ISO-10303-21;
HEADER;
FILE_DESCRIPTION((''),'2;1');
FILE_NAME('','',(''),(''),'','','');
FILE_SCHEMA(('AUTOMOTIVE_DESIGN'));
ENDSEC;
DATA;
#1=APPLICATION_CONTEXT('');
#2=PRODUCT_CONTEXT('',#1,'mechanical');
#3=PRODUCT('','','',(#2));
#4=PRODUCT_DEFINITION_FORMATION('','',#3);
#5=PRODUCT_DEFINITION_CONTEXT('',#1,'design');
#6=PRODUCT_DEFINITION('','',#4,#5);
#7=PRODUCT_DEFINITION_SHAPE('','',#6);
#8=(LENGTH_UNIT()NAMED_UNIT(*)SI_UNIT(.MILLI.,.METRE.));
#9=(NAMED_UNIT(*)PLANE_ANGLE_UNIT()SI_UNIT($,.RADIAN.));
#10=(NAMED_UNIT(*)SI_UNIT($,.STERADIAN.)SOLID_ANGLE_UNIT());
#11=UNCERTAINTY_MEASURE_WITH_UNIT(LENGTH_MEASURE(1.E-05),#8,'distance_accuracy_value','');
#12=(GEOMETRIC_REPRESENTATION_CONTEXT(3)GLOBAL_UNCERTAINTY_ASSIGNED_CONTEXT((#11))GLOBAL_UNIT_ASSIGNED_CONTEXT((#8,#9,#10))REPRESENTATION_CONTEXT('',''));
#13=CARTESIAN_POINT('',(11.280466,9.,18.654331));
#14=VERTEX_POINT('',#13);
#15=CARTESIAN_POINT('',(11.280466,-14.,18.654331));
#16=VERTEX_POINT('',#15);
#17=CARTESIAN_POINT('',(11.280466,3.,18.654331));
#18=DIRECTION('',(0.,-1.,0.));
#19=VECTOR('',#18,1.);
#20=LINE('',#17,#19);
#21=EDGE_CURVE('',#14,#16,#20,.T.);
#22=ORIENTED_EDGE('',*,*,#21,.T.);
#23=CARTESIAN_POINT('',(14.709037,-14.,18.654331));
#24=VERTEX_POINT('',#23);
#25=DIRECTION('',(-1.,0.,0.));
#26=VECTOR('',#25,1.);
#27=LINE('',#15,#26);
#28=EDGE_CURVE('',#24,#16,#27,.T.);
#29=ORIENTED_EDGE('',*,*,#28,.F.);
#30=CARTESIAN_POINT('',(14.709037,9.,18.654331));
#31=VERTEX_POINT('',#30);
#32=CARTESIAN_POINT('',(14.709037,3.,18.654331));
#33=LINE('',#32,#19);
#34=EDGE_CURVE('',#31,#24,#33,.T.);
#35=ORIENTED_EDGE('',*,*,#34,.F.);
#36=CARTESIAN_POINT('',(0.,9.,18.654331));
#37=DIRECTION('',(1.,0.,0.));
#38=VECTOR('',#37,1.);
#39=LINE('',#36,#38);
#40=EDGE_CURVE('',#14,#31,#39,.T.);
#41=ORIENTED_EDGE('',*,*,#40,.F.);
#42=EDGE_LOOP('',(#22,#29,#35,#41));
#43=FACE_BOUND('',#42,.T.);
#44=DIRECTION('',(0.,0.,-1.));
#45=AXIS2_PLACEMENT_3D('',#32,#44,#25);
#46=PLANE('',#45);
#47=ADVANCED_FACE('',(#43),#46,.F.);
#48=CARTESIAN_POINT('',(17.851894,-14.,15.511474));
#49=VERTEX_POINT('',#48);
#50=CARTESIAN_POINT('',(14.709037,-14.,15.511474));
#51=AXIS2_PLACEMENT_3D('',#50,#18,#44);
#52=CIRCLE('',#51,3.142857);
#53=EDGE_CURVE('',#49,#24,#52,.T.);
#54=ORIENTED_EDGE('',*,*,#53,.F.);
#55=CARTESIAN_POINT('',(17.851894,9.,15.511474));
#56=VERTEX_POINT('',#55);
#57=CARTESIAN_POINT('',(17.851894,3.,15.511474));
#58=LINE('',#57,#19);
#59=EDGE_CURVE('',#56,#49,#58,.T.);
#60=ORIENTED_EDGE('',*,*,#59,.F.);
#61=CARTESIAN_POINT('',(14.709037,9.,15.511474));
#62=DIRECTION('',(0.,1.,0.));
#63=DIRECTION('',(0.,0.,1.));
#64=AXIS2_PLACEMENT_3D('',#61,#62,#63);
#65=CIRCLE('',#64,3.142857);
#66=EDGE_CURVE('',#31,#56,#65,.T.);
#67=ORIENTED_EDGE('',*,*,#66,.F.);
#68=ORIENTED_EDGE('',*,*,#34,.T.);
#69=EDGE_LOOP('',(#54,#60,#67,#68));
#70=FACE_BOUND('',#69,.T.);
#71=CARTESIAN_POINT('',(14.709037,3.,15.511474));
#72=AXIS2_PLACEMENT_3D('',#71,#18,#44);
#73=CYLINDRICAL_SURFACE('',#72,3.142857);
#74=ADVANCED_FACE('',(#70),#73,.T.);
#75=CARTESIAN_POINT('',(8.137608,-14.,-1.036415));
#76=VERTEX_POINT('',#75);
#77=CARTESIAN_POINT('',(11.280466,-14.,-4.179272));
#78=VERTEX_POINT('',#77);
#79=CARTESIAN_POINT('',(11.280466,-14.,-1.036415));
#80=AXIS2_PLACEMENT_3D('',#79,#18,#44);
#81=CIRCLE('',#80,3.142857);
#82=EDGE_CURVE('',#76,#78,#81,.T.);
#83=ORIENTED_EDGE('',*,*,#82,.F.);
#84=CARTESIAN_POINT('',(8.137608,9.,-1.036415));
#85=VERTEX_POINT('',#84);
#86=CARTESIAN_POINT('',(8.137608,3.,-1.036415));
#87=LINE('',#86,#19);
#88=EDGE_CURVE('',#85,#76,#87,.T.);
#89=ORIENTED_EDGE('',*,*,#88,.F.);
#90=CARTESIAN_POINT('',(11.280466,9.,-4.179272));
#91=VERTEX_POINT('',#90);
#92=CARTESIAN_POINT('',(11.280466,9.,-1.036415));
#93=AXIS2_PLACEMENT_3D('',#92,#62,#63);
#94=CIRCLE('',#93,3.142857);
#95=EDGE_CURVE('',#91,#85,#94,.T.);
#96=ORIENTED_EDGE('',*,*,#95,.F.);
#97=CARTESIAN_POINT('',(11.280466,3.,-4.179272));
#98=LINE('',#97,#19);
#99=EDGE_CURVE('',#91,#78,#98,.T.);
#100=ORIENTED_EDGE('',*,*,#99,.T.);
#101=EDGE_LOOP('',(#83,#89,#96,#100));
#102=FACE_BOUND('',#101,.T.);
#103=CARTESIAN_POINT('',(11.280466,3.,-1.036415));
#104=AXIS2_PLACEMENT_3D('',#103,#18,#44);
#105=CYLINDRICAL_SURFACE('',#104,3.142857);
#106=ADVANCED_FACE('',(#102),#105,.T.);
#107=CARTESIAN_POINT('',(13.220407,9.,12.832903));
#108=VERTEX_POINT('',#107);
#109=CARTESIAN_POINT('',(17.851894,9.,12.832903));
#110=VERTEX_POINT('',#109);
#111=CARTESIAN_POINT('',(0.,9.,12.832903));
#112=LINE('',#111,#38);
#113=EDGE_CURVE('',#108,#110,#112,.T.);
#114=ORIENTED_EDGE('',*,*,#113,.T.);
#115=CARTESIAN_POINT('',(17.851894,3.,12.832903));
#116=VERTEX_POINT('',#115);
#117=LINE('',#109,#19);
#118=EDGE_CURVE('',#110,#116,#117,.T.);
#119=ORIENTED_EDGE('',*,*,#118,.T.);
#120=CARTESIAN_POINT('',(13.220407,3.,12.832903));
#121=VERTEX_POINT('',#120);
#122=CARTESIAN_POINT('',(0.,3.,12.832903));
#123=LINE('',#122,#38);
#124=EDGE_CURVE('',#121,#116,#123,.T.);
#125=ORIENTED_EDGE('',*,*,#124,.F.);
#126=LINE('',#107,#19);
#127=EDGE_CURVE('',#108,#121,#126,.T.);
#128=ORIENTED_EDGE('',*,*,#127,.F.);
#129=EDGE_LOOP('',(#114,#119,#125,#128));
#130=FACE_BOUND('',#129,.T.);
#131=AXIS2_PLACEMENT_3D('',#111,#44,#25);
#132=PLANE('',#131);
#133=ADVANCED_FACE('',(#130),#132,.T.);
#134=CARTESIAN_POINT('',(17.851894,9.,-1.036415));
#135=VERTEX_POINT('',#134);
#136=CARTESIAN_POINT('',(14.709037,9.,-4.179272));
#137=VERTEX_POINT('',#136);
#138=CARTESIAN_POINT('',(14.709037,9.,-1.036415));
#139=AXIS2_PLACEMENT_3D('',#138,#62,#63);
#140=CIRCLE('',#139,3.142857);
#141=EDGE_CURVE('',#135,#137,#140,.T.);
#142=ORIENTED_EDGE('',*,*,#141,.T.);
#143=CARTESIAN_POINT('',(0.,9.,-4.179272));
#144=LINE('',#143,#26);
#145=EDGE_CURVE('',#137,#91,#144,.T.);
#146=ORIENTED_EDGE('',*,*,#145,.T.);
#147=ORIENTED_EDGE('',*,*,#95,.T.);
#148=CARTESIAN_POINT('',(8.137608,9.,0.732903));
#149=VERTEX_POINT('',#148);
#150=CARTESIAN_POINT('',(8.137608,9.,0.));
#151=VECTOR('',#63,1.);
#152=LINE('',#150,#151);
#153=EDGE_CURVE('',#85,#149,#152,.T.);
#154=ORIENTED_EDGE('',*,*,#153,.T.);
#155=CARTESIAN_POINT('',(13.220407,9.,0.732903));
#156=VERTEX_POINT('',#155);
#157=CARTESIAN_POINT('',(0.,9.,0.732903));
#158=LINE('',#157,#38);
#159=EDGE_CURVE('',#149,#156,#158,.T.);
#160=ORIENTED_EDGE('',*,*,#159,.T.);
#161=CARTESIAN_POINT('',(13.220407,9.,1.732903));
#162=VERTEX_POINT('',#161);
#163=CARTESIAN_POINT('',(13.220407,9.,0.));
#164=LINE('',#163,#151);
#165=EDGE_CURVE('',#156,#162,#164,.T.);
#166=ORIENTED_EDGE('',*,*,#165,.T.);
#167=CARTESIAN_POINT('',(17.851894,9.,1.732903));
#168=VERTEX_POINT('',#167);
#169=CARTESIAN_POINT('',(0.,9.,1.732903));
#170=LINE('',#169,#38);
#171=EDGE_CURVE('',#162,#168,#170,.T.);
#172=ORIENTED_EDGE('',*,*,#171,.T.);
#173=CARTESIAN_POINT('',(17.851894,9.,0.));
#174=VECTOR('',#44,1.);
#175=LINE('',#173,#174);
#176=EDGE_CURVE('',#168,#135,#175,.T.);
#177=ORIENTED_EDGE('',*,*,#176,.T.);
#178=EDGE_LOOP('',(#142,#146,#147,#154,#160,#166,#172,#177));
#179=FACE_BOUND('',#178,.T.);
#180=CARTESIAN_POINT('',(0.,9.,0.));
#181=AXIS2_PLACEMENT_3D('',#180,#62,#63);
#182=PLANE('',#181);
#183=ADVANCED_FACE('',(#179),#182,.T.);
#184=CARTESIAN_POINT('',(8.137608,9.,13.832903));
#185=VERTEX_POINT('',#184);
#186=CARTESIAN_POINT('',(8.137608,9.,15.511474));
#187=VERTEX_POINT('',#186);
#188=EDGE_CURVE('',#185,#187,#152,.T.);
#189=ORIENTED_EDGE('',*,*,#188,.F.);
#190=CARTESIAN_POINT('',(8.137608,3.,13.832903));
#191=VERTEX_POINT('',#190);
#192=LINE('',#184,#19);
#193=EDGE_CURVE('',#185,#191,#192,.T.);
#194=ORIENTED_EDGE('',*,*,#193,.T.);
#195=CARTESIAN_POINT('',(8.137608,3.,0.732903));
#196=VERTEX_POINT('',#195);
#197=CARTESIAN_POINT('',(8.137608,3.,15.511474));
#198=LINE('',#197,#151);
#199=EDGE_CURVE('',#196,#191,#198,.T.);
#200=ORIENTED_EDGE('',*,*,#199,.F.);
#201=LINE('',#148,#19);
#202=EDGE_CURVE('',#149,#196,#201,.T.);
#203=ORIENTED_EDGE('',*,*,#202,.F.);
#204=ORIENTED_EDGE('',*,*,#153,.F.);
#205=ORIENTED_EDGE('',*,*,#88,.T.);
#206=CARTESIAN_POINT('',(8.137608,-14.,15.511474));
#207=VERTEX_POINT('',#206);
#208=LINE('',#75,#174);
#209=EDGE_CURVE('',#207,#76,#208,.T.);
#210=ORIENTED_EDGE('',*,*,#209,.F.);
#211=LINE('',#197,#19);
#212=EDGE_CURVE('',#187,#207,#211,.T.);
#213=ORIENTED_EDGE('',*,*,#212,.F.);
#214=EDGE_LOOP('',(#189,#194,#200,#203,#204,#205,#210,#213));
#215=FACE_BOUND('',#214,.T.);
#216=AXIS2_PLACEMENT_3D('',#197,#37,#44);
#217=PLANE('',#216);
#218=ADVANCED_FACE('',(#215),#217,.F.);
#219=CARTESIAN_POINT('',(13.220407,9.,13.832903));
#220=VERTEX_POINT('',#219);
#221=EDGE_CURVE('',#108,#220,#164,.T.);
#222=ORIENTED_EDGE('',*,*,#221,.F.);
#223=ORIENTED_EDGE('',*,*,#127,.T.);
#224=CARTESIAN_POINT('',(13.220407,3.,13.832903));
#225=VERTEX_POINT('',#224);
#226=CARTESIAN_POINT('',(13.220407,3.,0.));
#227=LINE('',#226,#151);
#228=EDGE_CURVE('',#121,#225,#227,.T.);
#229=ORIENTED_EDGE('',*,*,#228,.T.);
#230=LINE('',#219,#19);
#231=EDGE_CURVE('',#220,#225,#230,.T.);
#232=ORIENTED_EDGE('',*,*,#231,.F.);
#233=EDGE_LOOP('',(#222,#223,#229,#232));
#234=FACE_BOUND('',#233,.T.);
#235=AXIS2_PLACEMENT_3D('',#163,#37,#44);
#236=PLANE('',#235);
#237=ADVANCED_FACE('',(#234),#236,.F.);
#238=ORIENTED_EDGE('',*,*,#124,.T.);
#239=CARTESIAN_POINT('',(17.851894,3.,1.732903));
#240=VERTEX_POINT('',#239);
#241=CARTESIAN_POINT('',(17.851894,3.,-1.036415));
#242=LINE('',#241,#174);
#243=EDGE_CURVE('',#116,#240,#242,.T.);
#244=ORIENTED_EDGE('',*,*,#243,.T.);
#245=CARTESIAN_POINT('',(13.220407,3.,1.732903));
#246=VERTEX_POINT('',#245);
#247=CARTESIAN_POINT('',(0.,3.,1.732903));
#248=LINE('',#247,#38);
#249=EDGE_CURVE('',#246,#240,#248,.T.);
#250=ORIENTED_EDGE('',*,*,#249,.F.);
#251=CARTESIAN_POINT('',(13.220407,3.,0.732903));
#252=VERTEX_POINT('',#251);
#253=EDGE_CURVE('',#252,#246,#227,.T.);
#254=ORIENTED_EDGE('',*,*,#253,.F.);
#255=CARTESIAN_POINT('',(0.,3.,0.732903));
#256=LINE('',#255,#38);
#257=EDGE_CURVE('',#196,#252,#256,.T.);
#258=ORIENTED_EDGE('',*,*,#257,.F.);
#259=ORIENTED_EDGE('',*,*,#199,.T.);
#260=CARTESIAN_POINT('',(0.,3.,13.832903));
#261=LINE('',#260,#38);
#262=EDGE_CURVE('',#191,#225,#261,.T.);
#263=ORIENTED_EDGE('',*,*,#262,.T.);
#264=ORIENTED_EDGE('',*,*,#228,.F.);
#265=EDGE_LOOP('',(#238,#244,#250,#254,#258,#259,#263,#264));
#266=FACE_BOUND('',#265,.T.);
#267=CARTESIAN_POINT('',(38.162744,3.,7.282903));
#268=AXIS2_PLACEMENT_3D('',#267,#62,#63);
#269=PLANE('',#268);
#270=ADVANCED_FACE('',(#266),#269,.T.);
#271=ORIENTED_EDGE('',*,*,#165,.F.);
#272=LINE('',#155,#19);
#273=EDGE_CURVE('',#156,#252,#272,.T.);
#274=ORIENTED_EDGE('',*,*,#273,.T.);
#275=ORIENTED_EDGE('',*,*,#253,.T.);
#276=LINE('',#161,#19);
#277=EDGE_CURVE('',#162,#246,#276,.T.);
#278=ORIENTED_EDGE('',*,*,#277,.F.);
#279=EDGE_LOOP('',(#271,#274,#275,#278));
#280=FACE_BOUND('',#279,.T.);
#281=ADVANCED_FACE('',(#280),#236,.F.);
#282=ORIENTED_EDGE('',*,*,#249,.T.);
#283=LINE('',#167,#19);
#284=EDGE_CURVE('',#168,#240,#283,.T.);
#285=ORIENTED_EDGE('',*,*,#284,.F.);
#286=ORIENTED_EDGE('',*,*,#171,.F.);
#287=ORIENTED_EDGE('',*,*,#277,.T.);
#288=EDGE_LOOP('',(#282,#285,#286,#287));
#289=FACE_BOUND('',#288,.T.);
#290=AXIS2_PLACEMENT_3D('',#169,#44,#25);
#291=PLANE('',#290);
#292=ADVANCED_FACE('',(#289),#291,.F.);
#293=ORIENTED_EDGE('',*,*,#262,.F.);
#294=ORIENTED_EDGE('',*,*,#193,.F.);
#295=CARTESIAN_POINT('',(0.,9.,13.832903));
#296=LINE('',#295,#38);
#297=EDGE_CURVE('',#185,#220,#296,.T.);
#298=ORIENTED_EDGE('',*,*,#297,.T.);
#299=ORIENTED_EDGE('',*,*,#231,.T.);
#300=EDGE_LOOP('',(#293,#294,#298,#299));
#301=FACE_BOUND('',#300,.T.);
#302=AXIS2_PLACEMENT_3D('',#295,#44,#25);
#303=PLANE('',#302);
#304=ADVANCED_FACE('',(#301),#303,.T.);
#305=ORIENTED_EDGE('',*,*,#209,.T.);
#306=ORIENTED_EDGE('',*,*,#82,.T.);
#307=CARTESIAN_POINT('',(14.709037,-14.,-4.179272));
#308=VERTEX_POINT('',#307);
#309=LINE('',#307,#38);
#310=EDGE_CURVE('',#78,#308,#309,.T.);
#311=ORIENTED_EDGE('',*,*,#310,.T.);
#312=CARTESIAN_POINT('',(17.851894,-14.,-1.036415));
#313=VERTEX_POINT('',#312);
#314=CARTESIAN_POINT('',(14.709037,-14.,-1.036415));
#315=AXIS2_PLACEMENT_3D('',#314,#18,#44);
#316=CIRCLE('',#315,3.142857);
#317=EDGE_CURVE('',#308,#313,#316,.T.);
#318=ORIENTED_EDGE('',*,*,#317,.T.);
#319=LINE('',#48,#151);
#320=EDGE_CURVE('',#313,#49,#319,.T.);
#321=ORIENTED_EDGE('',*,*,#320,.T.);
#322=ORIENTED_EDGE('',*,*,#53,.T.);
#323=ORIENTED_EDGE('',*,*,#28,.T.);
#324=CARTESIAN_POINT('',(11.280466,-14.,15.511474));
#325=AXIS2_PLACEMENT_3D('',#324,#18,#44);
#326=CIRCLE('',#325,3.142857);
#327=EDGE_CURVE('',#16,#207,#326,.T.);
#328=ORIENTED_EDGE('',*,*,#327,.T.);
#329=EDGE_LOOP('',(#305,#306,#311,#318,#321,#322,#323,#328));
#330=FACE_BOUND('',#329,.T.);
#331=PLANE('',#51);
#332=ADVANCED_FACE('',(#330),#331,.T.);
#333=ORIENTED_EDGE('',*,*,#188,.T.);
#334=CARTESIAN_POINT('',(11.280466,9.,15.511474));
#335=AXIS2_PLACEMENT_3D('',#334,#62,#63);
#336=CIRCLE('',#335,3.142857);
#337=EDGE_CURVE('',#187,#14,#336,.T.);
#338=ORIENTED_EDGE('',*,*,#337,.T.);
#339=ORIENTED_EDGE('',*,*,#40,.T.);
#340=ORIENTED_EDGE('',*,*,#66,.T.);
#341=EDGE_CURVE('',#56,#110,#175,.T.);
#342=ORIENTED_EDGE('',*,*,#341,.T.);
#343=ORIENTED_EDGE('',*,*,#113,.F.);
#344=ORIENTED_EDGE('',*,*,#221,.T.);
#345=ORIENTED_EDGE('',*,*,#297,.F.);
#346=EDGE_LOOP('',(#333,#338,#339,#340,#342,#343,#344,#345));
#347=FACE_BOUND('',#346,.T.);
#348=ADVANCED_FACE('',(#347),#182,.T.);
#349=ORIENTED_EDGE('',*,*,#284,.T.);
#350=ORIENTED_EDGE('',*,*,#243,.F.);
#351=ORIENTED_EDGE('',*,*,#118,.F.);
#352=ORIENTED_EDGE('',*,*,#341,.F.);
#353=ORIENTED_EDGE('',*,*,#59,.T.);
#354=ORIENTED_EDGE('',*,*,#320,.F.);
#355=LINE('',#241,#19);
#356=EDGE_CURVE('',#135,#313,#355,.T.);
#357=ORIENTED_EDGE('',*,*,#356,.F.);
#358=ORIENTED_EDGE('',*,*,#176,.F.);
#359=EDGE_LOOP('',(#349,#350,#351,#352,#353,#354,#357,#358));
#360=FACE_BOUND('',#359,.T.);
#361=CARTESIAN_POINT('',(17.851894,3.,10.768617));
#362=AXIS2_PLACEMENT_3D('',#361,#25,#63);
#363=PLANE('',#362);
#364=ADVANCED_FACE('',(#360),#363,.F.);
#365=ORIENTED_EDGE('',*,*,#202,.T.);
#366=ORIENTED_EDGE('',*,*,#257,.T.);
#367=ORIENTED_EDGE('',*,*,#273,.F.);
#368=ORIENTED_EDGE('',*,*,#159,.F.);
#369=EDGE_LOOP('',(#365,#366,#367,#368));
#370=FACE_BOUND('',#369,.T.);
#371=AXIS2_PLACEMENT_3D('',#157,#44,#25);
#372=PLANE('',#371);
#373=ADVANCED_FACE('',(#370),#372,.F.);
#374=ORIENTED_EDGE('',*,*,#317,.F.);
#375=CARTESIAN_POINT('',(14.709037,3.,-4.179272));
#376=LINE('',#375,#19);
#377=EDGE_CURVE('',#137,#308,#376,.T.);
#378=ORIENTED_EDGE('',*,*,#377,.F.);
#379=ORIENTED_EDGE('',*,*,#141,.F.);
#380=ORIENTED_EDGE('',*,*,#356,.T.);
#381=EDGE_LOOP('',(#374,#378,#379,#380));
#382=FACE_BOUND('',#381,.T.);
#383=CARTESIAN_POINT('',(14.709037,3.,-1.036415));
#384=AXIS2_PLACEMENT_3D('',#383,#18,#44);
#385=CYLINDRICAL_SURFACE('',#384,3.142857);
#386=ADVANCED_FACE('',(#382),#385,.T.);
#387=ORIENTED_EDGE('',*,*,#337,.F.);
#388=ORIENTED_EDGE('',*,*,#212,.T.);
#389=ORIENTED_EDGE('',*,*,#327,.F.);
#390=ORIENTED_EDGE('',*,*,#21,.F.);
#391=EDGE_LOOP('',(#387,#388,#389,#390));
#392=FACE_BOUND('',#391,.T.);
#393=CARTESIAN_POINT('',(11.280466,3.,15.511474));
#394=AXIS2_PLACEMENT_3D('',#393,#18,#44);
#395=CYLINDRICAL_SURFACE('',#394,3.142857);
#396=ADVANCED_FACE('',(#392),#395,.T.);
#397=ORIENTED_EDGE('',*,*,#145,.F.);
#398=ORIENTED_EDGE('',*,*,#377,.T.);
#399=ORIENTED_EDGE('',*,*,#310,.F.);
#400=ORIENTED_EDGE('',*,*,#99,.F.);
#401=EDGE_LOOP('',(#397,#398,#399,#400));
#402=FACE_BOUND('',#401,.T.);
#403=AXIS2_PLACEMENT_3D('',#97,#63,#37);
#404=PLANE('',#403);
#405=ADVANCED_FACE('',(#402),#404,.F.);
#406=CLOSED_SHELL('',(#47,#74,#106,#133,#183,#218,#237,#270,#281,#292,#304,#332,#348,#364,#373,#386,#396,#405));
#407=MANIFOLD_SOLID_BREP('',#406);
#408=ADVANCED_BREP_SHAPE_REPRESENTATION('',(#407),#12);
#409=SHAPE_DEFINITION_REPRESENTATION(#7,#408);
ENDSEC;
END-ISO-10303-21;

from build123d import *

# Parameters (mm, degrees)
CROQUIS1_R                 = 2.4
SALIENTE_EXTRUIR1_DEPTH    = 3
SALIENTE_EXTRUIR2_DEPTH    = 6
CORTAR_EXTRUIR4_DEPTH      = 48.064644057
CORTAR_EXTRUIR4_DEPTH_BACK = 3
SALIENTE_EXTRUIR3_START    = 14
SALIENTE_EXTRUIR3_DEPTH    = 14


with BuildPart() as part:
    # Croquis1 → Saliente-Extruir1 (new body)
    with BuildSketch(Plane(origin=(0, 0, 0), x_dir=(1, 0, 0), z_dir=(0, 1, 0))):
        with BuildLine():
            Line((35.117506554, -10.768616799), (17.851894103, -10.768616799))
            Line((17.851894103, -10.768616799), (17.851894103, -15.511473942))
            ThreePointArc((17.851894103, -15.511473942), (16.931372558, -17.73380954), (14.70903696, -18.654331085))
            Line((14.70903696, -18.654331085), (11.280465531, -18.654331085))
            ThreePointArc((11.280465531, -18.654331085), (9.058129933, -17.73380954), (8.137608389, -15.511473942))
            Line((8.137608389, -15.511473942), (8.137608389, 1.036415275))
            ThreePointArc((8.137608389, 1.036415275), (9.058129933, 3.258750873), (11.280465531, 4.179272418))
            Line((11.280465531, 4.179272418), (14.70903696, 4.179272418))
            ThreePointArc((14.70903696, 4.179272418), (16.931372558, 3.258750873), (17.851894103, 1.036415275))
            Line((17.851894103, 1.036415275), (17.851894103, -3.797188228))
            Line((17.851894103, -3.797188228), (35.117506554, -3.797188228))
            ThreePointArc((35.117506554, -3.797188228), (42.791315147, -7.282902513), (35.117506554, -10.768616799))
        make_face()
        with Locations(Location((38.162743718, -7.282902513, 0), (0, 0, 270))):
            Circle(CROQUIS1_R, mode=Mode.SUBTRACT)
    extrude(amount=SALIENTE_EXTRUIR1_DEPTH)

    # Croquis2 → Saliente-Extruir2 (add)
    with BuildSketch(Plane(origin=(0, 3, 0), x_dir=(1, 0, 0), z_dir=(0, 1, 0))):
        with BuildLine():
            Line((13.22040734, -0.732902513), (13.22040734, -1.732902513))
            Line((13.22040734, -1.732902513), (17.851894103, -1.732902513))
            Line((17.851894103, -1.732902513), (17.851894103, 1.036415275))
            ThreePointArc((17.851894103, 1.036415275), (16.931372558, 3.258750873), (14.70903696, 4.179272418))
            Line((14.70903696, 4.179272418), (11.280465531, 4.179272418))
            ThreePointArc((11.280465531, 4.179272418), (9.058129933, 3.258750873), (8.137608389, 1.036415275))
            Line((8.137608389, 1.036415275), (8.137608389, -0.732902513))
            Line((8.137608389, -0.732902513), (13.22040734, -0.732902513))
        make_face()
        with BuildLine():
            Line((17.851894103, -12.832902513), (13.22040734, -12.832902513))
            Line((13.22040734, -12.832902513), (13.22040734, -13.832902513))
            Line((13.22040734, -13.832902513), (8.137608389, -13.832902513))
            Line((8.137608389, -13.832902513), (8.137608389, -15.511473942))
            ThreePointArc((8.137608389, -15.511473942), (9.058129933, -17.73380954), (11.280465531, -18.654331085))
            Line((11.280465531, -18.654331085), (14.70903696, -18.654331085))
            ThreePointArc((14.70903696, -18.654331085), (16.931372558, -17.73380954), (17.851894103, -15.511473942))
            Line((17.851894103, -15.511473942), (17.851894103, -12.832902513))
        make_face()
    extrude(amount=SALIENTE_EXTRUIR2_DEPTH)

    # Croquis3 → Cortar-Extruir4 (cut, two sides: drawn at the far end of the back side and taken through both)
    with BuildSketch(Plane(origin=(0, 3, 0), x_dir=(1, 0, 0), z_dir=(0, 1, 0)).offset(-CORTAR_EXTRUIR4_DEPTH_BACK)):
        Polygon((17.851894103, 64.354823399), (17.851894103, -3.797188228), (17.851894103, -10.768616799), (17.851894103, -78.920628426), (154.155917357, -78.920628426), (154.155917357, 64.354823399), align=None)
    extrude(amount=CORTAR_EXTRUIR4_DEPTH + CORTAR_EXTRUIR4_DEPTH_BACK, mode=Mode.SUBTRACT)

    # Croquis4 → Saliente-Extruir3 (add)
    with BuildSketch(Plane.XZ.offset(SALIENTE_EXTRUIR3_START)):
        with BuildLine():
            Line((17.851894103, 15.511473942), (17.851894103, -1.036415275))
            ThreePointArc((17.851894103, -1.036415275), (16.931372558, -3.258750873), (14.70903696, -4.179272418))
            Line((14.70903696, -4.179272418), (11.280465531, -4.179272418))
            ThreePointArc((11.280465531, -4.179272418), (9.058129933, -3.258750873), (8.137608389, -1.036415275))
            Line((8.137608389, -1.036415275), (8.137608389, 15.511473942))
            ThreePointArc((8.137608389, 15.511473942), (9.058129933, 17.73380954), (11.280465531, 18.654331085))
            Line((11.280465531, 18.654331085), (14.70903696, 18.654331085))
            ThreePointArc((14.70903696, 18.654331085), (16.931372558, 17.73380954), (17.851894103, 15.511473942))
        make_face()
    extrude(amount=-SALIENTE_EXTRUIR3_DEPTH)


solid = part.part
